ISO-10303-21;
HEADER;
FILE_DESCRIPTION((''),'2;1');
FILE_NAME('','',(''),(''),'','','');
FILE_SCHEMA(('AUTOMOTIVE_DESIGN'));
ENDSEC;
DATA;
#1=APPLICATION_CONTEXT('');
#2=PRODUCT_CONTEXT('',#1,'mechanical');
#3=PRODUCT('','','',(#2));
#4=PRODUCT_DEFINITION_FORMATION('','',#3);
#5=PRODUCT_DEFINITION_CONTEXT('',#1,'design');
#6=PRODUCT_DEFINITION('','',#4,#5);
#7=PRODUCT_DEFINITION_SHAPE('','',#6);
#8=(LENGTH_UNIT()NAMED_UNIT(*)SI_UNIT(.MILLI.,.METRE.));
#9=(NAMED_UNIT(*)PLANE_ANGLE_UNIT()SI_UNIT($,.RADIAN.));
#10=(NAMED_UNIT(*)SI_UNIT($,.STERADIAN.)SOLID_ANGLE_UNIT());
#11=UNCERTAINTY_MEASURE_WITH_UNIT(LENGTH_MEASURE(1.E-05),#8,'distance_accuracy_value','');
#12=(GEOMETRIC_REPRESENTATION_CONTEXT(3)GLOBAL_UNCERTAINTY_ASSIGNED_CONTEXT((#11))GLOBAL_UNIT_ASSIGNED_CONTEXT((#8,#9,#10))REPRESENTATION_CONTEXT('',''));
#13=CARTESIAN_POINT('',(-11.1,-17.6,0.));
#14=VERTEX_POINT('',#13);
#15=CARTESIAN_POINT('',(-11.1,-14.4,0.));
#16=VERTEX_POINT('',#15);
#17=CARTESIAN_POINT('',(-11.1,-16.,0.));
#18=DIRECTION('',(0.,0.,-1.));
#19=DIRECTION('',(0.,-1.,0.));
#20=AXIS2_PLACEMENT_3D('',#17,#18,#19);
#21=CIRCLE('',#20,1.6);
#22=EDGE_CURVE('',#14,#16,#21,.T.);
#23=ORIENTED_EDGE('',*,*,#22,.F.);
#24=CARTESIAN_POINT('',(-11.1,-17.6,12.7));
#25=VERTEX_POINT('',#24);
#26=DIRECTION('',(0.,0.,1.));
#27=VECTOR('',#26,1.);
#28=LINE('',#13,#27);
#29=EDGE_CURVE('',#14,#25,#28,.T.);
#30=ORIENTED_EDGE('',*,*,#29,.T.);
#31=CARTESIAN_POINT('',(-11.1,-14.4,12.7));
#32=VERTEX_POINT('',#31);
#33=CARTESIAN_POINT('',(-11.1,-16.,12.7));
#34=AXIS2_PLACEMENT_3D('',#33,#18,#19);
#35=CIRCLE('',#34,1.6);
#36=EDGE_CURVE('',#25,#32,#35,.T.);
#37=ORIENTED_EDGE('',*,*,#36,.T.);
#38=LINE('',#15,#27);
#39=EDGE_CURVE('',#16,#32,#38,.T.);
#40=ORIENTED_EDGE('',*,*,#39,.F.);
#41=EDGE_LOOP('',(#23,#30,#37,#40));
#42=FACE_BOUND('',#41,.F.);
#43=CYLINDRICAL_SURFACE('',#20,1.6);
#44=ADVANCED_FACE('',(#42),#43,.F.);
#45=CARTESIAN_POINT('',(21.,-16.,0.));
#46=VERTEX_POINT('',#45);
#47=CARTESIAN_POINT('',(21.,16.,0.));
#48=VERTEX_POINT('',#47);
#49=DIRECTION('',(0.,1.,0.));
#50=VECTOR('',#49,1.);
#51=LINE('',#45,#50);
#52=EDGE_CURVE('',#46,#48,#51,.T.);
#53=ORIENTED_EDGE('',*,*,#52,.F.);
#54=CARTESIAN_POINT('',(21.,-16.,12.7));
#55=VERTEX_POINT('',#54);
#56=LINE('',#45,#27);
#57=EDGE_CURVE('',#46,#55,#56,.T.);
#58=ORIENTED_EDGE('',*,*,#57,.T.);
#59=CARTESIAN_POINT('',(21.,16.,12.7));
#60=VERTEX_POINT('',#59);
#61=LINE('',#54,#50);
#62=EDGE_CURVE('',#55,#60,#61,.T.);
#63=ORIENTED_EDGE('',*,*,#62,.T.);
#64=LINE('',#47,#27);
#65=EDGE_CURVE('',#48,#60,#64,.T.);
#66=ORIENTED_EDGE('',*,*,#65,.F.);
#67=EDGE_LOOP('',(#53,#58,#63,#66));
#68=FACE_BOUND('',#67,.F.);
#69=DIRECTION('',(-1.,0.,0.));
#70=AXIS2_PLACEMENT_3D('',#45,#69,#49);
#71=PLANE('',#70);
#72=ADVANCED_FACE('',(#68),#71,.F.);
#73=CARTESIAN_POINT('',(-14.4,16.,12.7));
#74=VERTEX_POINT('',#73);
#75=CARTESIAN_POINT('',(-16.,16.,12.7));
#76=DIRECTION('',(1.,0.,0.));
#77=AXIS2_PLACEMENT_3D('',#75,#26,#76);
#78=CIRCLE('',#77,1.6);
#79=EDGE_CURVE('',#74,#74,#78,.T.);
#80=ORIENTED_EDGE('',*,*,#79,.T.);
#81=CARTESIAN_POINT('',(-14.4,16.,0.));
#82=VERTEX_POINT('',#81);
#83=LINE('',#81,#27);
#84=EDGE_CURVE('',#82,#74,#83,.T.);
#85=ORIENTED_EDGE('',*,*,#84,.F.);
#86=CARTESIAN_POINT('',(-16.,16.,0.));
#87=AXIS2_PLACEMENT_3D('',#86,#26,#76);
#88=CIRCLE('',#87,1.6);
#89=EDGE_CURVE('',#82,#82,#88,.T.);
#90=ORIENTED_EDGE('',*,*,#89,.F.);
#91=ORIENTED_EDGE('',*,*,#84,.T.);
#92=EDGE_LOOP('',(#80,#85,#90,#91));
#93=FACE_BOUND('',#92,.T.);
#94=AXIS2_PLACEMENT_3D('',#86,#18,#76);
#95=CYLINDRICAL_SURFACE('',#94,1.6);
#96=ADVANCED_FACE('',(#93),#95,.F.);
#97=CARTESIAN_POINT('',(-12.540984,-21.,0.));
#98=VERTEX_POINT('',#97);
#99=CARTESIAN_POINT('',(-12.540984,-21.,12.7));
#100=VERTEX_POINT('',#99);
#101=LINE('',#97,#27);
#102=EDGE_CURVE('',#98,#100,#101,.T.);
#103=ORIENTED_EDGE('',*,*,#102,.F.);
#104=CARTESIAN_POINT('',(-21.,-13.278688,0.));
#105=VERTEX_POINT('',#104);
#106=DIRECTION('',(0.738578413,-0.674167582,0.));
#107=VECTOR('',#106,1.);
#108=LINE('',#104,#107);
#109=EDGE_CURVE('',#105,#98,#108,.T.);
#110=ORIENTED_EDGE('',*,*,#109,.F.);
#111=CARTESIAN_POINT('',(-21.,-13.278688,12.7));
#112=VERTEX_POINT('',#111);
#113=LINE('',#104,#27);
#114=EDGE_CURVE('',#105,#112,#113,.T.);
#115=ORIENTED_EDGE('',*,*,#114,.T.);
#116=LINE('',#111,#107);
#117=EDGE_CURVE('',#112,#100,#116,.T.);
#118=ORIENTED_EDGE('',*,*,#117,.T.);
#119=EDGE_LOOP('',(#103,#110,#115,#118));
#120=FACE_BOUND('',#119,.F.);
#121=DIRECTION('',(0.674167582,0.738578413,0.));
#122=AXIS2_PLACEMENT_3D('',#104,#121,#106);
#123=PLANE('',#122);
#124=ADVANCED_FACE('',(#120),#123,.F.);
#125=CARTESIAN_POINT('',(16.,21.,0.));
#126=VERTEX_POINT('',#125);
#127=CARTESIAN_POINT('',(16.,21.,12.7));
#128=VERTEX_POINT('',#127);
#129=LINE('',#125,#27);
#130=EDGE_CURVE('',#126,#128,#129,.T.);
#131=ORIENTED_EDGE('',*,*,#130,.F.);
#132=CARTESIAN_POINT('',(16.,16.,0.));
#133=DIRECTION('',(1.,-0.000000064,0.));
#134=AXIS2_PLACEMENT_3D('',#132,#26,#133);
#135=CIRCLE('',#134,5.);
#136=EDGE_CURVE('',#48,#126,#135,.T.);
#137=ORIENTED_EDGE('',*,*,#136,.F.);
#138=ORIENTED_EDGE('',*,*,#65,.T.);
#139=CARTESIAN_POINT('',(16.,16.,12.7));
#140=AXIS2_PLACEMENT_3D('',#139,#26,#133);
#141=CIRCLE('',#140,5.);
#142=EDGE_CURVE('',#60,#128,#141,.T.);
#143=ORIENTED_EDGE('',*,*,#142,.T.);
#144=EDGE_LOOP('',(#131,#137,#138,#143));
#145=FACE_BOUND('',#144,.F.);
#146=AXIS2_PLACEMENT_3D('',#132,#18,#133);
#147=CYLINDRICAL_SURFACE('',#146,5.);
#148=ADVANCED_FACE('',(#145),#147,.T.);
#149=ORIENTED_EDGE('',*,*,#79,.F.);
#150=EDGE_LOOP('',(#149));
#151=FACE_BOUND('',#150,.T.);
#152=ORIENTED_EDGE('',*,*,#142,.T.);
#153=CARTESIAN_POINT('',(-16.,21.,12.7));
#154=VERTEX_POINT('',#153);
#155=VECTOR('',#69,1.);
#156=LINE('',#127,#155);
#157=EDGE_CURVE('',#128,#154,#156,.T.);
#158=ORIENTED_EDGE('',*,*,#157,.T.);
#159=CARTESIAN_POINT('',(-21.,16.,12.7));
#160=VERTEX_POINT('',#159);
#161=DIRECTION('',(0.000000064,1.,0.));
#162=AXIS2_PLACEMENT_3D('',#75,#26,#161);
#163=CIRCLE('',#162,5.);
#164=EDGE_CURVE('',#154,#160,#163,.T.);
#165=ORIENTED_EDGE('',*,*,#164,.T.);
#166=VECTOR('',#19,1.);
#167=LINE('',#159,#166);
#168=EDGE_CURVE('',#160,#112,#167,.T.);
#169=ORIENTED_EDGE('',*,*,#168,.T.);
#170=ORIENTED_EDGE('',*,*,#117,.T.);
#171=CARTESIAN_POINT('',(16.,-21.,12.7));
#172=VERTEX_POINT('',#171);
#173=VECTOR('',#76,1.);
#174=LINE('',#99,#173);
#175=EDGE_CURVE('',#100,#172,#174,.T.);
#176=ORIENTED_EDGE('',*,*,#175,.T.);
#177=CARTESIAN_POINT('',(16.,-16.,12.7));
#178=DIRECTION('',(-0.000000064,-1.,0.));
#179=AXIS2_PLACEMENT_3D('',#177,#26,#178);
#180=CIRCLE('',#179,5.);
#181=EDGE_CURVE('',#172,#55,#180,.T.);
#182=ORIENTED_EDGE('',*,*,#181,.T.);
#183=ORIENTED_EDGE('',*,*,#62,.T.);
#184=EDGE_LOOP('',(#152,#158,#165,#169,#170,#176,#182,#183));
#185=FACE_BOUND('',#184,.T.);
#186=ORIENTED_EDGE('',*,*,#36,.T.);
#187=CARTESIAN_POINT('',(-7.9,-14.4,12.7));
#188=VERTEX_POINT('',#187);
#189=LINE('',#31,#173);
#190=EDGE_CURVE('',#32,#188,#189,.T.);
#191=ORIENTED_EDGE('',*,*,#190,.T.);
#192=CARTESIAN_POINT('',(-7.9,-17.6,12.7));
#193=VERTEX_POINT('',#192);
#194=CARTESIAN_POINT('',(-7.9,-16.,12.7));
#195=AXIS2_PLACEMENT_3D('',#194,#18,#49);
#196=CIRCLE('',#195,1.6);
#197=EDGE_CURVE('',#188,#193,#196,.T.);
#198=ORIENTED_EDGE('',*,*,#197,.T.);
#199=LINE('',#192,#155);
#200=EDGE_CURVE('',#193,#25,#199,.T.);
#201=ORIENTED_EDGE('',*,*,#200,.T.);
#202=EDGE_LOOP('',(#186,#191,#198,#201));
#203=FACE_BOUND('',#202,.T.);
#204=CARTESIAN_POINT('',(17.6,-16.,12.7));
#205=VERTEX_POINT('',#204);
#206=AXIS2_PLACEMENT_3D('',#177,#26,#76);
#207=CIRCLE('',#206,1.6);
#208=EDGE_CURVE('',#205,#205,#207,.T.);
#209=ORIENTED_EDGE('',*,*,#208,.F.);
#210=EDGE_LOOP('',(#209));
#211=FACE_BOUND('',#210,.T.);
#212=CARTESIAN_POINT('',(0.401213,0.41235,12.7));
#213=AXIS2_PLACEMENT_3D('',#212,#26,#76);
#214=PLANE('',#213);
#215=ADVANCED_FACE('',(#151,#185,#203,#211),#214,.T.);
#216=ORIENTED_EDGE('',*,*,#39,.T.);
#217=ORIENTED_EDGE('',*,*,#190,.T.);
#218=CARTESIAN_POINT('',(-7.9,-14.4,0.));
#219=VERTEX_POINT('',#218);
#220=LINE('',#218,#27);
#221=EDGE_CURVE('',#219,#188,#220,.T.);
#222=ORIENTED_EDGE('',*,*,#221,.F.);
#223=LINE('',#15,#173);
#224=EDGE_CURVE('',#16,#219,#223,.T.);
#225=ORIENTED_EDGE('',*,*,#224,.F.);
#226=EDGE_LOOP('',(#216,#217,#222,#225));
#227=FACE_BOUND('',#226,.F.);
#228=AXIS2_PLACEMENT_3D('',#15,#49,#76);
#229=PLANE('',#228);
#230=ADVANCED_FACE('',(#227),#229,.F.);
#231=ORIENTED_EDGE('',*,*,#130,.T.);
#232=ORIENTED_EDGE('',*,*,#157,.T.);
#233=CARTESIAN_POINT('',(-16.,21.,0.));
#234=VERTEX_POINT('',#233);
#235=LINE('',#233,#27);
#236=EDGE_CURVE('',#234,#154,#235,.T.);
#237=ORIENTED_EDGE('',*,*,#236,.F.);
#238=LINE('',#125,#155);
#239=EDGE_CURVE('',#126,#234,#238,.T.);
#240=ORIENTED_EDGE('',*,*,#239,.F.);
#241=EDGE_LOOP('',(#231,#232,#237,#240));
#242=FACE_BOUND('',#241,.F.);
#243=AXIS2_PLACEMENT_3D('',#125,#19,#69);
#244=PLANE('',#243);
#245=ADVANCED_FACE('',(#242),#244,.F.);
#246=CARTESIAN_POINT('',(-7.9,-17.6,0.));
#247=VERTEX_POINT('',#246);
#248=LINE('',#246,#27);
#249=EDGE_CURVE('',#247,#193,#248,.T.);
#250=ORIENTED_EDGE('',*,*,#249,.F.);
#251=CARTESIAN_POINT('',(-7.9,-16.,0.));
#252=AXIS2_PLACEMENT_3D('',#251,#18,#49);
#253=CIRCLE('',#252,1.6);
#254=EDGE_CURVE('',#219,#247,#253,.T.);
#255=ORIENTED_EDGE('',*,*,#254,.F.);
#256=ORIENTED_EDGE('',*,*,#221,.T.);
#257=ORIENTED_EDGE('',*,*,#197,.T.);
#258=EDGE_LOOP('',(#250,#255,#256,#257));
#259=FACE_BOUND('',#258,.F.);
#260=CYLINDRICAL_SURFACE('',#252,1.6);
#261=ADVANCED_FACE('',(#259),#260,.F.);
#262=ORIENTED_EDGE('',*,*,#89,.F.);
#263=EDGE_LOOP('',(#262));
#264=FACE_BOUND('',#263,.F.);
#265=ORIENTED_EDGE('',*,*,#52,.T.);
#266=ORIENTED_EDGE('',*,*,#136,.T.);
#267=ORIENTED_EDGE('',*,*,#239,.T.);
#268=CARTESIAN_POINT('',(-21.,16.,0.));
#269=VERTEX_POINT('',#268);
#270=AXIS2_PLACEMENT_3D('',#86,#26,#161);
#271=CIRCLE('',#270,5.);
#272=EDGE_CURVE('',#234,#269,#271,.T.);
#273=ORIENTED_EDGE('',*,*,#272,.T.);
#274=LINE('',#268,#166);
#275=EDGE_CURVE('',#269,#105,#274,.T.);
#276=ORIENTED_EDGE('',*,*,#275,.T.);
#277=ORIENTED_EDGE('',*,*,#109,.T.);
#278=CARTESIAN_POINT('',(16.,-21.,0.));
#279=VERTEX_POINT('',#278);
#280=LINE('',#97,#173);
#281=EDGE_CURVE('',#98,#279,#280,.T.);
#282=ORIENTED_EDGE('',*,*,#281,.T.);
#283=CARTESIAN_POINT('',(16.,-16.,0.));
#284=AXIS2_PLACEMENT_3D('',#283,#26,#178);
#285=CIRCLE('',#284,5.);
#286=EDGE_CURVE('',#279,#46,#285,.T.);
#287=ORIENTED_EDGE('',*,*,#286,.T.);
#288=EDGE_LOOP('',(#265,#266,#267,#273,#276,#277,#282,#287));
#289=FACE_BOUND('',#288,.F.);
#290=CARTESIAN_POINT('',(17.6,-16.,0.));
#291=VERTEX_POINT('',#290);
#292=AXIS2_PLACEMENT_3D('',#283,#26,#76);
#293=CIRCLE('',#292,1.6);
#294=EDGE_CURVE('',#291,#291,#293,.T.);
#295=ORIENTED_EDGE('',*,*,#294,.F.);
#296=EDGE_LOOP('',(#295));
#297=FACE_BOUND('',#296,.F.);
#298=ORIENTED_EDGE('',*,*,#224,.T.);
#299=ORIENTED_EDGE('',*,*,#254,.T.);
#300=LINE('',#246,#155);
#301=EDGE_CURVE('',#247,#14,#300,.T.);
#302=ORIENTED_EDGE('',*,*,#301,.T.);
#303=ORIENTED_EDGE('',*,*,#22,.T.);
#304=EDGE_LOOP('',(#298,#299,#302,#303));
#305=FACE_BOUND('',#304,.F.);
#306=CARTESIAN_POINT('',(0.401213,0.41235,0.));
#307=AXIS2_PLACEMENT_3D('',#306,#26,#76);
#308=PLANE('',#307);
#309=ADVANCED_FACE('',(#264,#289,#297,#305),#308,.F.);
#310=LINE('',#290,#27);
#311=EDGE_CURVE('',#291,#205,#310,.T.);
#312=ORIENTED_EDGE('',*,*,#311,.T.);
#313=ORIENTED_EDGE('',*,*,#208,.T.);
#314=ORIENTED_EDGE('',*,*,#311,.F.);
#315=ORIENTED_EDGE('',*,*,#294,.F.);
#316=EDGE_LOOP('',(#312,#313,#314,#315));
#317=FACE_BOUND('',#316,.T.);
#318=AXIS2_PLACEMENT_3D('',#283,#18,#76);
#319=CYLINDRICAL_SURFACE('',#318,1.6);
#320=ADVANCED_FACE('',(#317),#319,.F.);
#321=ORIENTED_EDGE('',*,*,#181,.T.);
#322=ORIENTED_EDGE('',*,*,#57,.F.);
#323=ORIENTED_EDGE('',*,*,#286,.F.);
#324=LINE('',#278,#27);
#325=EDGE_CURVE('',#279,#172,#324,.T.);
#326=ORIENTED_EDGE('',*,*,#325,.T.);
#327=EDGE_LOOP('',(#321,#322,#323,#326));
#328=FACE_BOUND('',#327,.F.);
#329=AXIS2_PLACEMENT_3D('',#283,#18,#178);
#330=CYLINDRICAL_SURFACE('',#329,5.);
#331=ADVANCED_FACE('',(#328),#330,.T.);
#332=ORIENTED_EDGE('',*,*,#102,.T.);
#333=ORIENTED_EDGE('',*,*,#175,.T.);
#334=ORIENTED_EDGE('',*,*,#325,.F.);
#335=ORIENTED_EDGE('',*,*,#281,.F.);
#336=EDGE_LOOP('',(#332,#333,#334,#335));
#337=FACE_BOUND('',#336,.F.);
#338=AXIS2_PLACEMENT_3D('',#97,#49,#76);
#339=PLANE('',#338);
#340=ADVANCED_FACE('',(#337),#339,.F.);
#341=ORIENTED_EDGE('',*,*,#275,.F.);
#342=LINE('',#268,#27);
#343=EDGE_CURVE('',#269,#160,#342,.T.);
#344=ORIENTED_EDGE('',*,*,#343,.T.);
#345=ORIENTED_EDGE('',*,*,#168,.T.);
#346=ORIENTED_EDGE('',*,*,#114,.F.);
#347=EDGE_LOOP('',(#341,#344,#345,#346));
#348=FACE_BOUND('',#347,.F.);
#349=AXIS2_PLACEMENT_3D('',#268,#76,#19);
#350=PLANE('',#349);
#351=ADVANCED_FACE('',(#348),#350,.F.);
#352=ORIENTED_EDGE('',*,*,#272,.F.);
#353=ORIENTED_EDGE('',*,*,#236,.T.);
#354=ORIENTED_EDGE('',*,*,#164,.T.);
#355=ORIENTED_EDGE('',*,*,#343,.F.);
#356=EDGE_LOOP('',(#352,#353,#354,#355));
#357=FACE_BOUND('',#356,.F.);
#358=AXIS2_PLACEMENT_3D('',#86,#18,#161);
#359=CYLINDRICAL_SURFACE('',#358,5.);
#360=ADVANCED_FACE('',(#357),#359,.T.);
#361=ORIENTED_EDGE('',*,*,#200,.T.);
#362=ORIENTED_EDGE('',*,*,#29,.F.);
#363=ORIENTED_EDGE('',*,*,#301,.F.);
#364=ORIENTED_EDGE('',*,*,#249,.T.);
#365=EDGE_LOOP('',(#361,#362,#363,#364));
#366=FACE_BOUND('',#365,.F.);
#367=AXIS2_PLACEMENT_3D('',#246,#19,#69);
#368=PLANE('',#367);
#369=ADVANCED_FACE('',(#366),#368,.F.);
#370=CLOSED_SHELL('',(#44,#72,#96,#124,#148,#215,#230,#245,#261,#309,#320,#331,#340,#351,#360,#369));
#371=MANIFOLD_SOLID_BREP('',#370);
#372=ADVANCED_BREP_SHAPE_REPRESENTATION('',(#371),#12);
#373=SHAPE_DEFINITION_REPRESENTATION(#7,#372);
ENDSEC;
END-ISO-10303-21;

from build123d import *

# Parameters (mm, degrees)
F0_R     = 1.6
F1_DEPTH = 12.7


with BuildPart() as f1:
    # F0 (on Top) → F1 (new body)
    with BuildSketch(Plane.XY):
        with BuildLine():
            ThreePointArc((21, 16), (19.535534, 19.535534), (16, 21))
            Line((16, 21), (-16, 21))
            ThreePointArc((-16, 21), (-19.535534, 19.535534), (-21, 16))
            Line((-21, 16), (-21, -13.278688))
            Line((-21, -13.278688), (-12.540984, -21))
            Line((-12.540984, -21), (16, -21))
            ThreePointArc((16, -21), (19.535534, -19.535534), (21, -16))
            Line((21, -16), (21, 16))
        make_face()
        with BuildLine():
            ThreePointArc((-11.1, -17.6), (-12.7, -16), (-11.1, -14.4))
            Line((-11.1, -14.4), (-7.9, -14.4))
            ThreePointArc((-7.9, -14.4), (-6.3, -16), (-7.9, -17.6))
            Line((-7.9, -17.6), (-11.1, -17.6))
        make_face(mode=Mode.SUBTRACT)
        with Locations((16, -16)):
            Circle(F0_R, mode=Mode.SUBTRACT)
        with Locations((-16, 16)):
            Circle(F0_R, mode=Mode.SUBTRACT)
    extrude(amount=F1_DEPTH)


solid = f1.part
